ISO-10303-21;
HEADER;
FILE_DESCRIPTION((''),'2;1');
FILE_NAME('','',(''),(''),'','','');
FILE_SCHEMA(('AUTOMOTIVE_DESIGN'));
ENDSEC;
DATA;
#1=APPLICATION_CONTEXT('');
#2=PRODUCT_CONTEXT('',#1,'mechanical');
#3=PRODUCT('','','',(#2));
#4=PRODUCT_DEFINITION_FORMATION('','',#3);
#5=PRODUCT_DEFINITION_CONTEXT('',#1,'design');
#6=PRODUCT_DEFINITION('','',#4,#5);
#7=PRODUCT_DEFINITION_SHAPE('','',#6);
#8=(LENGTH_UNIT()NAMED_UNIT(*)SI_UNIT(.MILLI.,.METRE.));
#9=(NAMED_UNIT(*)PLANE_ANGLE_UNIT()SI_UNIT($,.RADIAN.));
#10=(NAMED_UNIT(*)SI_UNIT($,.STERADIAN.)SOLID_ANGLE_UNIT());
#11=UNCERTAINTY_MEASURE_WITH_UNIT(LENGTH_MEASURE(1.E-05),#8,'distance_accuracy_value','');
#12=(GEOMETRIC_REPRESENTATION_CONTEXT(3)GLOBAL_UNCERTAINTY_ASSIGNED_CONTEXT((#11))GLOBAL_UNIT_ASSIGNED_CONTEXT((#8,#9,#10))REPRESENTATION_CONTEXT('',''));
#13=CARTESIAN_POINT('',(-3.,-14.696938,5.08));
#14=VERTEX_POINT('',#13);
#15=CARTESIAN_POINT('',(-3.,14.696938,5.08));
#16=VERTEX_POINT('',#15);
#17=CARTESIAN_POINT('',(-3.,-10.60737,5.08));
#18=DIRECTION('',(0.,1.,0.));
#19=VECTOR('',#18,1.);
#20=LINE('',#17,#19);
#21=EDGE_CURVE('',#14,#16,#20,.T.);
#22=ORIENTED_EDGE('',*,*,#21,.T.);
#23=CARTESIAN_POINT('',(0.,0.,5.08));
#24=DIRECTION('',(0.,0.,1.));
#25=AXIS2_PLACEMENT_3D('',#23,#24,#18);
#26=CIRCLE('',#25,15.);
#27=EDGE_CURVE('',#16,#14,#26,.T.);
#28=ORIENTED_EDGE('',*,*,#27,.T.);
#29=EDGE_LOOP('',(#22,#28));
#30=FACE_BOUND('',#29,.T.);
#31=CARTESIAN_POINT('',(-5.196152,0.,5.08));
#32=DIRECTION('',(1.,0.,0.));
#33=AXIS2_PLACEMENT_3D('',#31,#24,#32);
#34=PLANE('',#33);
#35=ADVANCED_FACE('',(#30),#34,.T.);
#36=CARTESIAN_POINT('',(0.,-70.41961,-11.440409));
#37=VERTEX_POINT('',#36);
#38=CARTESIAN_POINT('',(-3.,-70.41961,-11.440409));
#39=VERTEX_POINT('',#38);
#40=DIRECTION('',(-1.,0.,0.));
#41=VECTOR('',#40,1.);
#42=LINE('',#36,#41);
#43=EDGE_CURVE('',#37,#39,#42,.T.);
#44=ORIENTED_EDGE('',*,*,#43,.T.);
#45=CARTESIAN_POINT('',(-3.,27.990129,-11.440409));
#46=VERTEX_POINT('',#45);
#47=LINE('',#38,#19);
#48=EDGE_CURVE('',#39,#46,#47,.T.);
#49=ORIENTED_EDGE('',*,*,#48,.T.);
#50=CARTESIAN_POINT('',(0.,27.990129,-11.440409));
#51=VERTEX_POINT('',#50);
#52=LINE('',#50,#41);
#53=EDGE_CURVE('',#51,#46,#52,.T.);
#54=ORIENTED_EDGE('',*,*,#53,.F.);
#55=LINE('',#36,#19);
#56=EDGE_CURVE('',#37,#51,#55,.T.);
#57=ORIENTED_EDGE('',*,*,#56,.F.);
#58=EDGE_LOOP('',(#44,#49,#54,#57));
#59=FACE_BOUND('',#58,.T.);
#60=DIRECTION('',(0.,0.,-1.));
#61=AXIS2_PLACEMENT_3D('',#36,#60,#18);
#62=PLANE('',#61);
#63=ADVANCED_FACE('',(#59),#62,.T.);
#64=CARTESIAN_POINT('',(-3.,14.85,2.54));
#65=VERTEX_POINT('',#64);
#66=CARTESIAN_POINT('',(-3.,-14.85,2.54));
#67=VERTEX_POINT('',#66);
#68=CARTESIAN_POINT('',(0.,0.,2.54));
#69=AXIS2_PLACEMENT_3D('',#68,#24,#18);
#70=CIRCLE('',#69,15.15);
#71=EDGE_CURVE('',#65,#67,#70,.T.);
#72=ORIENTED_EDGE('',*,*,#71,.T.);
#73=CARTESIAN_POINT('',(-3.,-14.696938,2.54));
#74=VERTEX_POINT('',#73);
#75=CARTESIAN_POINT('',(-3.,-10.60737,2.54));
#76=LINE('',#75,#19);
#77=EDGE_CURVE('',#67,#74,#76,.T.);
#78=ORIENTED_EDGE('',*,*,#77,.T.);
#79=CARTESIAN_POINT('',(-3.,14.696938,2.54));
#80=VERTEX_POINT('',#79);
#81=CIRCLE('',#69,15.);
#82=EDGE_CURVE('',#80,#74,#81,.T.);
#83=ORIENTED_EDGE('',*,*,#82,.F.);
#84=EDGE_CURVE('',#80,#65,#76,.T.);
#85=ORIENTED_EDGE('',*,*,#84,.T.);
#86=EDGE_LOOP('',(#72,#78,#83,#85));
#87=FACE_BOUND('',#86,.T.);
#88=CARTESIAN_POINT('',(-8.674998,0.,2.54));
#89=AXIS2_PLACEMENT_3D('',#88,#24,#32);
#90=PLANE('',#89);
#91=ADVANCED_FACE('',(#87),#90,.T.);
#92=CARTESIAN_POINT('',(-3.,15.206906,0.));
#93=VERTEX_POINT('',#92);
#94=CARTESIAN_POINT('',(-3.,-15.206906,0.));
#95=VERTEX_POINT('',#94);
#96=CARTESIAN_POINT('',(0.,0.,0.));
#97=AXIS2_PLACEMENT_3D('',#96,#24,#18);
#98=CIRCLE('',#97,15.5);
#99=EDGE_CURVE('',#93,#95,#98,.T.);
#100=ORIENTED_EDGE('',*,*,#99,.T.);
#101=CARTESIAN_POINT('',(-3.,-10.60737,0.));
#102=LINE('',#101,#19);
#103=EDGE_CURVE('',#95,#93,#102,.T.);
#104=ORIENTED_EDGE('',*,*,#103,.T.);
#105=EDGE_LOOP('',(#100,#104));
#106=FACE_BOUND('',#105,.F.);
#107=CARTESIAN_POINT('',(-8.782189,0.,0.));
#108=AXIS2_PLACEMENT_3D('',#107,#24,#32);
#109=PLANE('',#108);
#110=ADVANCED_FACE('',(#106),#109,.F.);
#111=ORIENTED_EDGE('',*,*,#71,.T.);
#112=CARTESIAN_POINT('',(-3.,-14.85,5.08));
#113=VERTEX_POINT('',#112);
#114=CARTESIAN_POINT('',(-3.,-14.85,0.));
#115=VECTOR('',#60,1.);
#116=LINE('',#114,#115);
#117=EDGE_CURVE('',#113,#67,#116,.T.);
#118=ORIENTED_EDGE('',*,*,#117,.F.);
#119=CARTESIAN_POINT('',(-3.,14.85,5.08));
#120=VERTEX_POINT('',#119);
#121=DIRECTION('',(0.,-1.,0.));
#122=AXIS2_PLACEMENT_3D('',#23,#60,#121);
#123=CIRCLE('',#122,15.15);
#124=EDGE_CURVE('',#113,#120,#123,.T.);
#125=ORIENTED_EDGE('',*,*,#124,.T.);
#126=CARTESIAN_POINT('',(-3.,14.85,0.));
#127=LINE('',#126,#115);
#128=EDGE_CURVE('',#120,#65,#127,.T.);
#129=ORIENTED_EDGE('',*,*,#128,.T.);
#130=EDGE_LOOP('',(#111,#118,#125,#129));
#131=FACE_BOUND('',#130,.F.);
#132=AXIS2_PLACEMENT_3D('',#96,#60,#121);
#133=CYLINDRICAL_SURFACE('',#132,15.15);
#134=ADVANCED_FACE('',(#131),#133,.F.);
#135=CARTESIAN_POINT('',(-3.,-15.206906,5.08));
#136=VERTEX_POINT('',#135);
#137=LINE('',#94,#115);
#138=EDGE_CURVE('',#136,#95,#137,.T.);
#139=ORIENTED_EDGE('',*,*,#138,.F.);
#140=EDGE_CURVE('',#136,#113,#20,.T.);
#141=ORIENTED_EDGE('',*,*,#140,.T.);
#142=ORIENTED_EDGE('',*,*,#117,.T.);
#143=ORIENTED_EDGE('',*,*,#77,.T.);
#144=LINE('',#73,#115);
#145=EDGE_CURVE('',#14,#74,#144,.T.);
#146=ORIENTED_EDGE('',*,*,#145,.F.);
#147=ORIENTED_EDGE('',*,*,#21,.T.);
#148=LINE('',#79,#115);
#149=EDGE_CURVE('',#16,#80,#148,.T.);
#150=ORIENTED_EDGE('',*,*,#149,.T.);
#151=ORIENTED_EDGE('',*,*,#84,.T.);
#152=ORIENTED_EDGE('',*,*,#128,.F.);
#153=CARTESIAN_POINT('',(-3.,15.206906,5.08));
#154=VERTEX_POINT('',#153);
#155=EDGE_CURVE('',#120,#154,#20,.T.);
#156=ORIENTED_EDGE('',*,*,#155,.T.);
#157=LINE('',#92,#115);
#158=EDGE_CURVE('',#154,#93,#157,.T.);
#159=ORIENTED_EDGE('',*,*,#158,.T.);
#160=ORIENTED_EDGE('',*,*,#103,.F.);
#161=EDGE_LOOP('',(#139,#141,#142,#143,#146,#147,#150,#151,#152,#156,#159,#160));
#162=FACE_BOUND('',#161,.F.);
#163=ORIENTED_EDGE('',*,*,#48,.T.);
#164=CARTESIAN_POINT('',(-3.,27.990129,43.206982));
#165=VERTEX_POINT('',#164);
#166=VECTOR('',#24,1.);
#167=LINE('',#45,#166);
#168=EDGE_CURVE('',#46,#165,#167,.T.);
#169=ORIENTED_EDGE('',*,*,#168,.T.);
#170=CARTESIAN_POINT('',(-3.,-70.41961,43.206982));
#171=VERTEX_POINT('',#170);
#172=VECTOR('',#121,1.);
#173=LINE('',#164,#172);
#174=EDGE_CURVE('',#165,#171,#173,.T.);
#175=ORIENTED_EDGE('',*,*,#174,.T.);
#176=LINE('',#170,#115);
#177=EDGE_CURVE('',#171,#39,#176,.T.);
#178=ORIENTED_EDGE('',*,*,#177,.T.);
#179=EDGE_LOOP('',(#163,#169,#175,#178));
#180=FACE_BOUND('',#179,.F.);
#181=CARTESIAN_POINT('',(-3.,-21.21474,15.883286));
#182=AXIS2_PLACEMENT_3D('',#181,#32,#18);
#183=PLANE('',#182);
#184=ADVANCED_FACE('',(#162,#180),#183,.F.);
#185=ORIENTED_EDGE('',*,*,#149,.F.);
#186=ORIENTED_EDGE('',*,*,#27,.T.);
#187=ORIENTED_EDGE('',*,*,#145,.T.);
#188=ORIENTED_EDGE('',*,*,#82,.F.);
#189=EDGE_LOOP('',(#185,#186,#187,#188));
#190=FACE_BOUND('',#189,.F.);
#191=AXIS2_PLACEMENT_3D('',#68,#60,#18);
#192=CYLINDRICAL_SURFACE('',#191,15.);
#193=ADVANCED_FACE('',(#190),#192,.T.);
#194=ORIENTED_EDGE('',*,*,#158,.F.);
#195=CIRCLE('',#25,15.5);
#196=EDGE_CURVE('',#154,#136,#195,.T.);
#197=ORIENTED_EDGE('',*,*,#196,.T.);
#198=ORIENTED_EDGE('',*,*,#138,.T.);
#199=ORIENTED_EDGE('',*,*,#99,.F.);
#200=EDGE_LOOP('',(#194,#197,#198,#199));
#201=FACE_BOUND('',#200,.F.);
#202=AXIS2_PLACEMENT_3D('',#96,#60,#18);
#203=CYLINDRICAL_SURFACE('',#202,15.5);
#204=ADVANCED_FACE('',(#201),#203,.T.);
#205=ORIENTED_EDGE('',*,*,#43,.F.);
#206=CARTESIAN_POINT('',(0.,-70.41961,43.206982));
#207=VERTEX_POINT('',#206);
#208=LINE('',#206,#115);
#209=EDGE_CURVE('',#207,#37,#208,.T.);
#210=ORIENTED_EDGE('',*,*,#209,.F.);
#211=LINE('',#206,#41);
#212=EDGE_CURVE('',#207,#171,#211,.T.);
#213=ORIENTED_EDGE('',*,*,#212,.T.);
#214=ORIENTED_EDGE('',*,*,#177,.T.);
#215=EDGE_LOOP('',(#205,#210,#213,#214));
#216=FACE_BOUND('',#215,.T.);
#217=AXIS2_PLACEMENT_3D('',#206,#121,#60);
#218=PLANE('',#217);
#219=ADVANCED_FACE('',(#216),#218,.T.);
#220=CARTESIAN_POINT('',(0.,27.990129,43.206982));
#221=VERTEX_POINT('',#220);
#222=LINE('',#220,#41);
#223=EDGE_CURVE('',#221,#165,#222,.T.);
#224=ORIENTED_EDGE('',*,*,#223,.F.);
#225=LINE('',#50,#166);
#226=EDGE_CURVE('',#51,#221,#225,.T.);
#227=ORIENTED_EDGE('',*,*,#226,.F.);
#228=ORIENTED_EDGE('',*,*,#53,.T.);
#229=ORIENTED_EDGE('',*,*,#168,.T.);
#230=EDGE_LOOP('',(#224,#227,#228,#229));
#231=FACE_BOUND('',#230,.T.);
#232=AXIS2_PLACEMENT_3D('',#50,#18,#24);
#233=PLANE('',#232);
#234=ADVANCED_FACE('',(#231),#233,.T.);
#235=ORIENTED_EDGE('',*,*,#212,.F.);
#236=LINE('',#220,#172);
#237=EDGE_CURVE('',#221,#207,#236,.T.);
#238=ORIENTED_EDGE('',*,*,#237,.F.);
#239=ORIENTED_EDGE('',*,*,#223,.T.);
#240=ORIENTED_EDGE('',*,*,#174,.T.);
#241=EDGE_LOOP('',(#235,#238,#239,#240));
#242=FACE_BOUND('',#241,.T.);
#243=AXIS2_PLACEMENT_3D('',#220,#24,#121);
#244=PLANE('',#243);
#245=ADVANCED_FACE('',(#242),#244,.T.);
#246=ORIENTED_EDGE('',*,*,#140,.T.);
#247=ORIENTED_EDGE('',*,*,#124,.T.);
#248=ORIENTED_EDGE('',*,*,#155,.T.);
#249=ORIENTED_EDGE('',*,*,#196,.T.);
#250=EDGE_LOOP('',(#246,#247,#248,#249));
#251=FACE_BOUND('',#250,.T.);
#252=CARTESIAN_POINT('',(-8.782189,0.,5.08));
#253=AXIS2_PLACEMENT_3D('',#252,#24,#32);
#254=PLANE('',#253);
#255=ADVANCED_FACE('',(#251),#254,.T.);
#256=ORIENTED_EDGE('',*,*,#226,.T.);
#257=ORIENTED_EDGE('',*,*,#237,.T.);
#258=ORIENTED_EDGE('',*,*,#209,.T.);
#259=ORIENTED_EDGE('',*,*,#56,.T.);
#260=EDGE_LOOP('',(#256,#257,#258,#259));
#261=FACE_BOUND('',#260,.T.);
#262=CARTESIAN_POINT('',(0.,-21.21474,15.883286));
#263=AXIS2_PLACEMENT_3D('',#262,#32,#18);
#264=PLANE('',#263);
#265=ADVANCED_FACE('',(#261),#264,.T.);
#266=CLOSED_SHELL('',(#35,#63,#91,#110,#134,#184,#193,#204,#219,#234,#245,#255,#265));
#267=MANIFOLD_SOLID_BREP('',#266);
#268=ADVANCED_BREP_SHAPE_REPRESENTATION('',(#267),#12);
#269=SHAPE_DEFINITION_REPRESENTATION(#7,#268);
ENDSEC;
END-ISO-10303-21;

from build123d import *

# Parameters (mm, degrees)
F1_DEPTH = 2.54
F2_DEPTH = 2.54
F3_DEPTH = 5.08
F5_DEPTH = 3


with BuildPart() as f1:
    # F0 (on Top) → F1 (new body)
    with BuildSketch(Plane.XY):
        with BuildLine():
            Line((0, -15), (0, 15))
            ThreePointArc((0, 15), (-15, 0), (0, -15))
        make_face()
    extrude(amount=F1_DEPTH)

    # F0 (on Top) + F1_face (on face) → F2 (join)
    with BuildSketch(Plane.XY):
        with BuildLine():
            Line((0, 15), (0, 15.15))
            ThreePointArc((0, 15.15), (-15.15, 0), (0, -15.15))
            Line((0, -15.15), (0, -15))
            ThreePointArc((0, -15), (-15, 0), (0, 15))
        make_face()
    with BuildSketch(Plane(origin=(-6.3661977237, 0, 2.54), x_dir=(1, 0, 0), z_dir=(0, 0, 1))):
        with BuildLine():
            ThreePointArc((6.3661977237, 15), (-8.6338022763, 0), (6.3661977237, -15))
            Line((6.3661977237, -15), (6.3661977237, 15))
        make_face()
    extrude(amount=F2_DEPTH)

    # F0 (on Top) → F3 (join)
    with BuildSketch(Plane.XY):
        with BuildLine():
            Line((0, 15.15), (0, 15.5))
            ThreePointArc((0, 15.5), (-15.5, 0), (0, -15.5))
            Line((0, -15.5), (0, -15.15))
            ThreePointArc((0, -15.15), (-15.15, 0), (0, 15.15))
        make_face()
    extrude(amount=F3_DEPTH)

    # F4 (on Right) → F5 (join)
    with BuildSketch(Plane.YZ):
        Polygon((15.5500713736, -11.4404093474), (27.990128845, -11.4404093474), (27.990128845, 43.2069823146), (-70.4196095467, 43.2069823146), (-70.4196095467, -11.4404093474), align=None)
    extrude(amount=-F5_DEPTH)


solid = f1.part
